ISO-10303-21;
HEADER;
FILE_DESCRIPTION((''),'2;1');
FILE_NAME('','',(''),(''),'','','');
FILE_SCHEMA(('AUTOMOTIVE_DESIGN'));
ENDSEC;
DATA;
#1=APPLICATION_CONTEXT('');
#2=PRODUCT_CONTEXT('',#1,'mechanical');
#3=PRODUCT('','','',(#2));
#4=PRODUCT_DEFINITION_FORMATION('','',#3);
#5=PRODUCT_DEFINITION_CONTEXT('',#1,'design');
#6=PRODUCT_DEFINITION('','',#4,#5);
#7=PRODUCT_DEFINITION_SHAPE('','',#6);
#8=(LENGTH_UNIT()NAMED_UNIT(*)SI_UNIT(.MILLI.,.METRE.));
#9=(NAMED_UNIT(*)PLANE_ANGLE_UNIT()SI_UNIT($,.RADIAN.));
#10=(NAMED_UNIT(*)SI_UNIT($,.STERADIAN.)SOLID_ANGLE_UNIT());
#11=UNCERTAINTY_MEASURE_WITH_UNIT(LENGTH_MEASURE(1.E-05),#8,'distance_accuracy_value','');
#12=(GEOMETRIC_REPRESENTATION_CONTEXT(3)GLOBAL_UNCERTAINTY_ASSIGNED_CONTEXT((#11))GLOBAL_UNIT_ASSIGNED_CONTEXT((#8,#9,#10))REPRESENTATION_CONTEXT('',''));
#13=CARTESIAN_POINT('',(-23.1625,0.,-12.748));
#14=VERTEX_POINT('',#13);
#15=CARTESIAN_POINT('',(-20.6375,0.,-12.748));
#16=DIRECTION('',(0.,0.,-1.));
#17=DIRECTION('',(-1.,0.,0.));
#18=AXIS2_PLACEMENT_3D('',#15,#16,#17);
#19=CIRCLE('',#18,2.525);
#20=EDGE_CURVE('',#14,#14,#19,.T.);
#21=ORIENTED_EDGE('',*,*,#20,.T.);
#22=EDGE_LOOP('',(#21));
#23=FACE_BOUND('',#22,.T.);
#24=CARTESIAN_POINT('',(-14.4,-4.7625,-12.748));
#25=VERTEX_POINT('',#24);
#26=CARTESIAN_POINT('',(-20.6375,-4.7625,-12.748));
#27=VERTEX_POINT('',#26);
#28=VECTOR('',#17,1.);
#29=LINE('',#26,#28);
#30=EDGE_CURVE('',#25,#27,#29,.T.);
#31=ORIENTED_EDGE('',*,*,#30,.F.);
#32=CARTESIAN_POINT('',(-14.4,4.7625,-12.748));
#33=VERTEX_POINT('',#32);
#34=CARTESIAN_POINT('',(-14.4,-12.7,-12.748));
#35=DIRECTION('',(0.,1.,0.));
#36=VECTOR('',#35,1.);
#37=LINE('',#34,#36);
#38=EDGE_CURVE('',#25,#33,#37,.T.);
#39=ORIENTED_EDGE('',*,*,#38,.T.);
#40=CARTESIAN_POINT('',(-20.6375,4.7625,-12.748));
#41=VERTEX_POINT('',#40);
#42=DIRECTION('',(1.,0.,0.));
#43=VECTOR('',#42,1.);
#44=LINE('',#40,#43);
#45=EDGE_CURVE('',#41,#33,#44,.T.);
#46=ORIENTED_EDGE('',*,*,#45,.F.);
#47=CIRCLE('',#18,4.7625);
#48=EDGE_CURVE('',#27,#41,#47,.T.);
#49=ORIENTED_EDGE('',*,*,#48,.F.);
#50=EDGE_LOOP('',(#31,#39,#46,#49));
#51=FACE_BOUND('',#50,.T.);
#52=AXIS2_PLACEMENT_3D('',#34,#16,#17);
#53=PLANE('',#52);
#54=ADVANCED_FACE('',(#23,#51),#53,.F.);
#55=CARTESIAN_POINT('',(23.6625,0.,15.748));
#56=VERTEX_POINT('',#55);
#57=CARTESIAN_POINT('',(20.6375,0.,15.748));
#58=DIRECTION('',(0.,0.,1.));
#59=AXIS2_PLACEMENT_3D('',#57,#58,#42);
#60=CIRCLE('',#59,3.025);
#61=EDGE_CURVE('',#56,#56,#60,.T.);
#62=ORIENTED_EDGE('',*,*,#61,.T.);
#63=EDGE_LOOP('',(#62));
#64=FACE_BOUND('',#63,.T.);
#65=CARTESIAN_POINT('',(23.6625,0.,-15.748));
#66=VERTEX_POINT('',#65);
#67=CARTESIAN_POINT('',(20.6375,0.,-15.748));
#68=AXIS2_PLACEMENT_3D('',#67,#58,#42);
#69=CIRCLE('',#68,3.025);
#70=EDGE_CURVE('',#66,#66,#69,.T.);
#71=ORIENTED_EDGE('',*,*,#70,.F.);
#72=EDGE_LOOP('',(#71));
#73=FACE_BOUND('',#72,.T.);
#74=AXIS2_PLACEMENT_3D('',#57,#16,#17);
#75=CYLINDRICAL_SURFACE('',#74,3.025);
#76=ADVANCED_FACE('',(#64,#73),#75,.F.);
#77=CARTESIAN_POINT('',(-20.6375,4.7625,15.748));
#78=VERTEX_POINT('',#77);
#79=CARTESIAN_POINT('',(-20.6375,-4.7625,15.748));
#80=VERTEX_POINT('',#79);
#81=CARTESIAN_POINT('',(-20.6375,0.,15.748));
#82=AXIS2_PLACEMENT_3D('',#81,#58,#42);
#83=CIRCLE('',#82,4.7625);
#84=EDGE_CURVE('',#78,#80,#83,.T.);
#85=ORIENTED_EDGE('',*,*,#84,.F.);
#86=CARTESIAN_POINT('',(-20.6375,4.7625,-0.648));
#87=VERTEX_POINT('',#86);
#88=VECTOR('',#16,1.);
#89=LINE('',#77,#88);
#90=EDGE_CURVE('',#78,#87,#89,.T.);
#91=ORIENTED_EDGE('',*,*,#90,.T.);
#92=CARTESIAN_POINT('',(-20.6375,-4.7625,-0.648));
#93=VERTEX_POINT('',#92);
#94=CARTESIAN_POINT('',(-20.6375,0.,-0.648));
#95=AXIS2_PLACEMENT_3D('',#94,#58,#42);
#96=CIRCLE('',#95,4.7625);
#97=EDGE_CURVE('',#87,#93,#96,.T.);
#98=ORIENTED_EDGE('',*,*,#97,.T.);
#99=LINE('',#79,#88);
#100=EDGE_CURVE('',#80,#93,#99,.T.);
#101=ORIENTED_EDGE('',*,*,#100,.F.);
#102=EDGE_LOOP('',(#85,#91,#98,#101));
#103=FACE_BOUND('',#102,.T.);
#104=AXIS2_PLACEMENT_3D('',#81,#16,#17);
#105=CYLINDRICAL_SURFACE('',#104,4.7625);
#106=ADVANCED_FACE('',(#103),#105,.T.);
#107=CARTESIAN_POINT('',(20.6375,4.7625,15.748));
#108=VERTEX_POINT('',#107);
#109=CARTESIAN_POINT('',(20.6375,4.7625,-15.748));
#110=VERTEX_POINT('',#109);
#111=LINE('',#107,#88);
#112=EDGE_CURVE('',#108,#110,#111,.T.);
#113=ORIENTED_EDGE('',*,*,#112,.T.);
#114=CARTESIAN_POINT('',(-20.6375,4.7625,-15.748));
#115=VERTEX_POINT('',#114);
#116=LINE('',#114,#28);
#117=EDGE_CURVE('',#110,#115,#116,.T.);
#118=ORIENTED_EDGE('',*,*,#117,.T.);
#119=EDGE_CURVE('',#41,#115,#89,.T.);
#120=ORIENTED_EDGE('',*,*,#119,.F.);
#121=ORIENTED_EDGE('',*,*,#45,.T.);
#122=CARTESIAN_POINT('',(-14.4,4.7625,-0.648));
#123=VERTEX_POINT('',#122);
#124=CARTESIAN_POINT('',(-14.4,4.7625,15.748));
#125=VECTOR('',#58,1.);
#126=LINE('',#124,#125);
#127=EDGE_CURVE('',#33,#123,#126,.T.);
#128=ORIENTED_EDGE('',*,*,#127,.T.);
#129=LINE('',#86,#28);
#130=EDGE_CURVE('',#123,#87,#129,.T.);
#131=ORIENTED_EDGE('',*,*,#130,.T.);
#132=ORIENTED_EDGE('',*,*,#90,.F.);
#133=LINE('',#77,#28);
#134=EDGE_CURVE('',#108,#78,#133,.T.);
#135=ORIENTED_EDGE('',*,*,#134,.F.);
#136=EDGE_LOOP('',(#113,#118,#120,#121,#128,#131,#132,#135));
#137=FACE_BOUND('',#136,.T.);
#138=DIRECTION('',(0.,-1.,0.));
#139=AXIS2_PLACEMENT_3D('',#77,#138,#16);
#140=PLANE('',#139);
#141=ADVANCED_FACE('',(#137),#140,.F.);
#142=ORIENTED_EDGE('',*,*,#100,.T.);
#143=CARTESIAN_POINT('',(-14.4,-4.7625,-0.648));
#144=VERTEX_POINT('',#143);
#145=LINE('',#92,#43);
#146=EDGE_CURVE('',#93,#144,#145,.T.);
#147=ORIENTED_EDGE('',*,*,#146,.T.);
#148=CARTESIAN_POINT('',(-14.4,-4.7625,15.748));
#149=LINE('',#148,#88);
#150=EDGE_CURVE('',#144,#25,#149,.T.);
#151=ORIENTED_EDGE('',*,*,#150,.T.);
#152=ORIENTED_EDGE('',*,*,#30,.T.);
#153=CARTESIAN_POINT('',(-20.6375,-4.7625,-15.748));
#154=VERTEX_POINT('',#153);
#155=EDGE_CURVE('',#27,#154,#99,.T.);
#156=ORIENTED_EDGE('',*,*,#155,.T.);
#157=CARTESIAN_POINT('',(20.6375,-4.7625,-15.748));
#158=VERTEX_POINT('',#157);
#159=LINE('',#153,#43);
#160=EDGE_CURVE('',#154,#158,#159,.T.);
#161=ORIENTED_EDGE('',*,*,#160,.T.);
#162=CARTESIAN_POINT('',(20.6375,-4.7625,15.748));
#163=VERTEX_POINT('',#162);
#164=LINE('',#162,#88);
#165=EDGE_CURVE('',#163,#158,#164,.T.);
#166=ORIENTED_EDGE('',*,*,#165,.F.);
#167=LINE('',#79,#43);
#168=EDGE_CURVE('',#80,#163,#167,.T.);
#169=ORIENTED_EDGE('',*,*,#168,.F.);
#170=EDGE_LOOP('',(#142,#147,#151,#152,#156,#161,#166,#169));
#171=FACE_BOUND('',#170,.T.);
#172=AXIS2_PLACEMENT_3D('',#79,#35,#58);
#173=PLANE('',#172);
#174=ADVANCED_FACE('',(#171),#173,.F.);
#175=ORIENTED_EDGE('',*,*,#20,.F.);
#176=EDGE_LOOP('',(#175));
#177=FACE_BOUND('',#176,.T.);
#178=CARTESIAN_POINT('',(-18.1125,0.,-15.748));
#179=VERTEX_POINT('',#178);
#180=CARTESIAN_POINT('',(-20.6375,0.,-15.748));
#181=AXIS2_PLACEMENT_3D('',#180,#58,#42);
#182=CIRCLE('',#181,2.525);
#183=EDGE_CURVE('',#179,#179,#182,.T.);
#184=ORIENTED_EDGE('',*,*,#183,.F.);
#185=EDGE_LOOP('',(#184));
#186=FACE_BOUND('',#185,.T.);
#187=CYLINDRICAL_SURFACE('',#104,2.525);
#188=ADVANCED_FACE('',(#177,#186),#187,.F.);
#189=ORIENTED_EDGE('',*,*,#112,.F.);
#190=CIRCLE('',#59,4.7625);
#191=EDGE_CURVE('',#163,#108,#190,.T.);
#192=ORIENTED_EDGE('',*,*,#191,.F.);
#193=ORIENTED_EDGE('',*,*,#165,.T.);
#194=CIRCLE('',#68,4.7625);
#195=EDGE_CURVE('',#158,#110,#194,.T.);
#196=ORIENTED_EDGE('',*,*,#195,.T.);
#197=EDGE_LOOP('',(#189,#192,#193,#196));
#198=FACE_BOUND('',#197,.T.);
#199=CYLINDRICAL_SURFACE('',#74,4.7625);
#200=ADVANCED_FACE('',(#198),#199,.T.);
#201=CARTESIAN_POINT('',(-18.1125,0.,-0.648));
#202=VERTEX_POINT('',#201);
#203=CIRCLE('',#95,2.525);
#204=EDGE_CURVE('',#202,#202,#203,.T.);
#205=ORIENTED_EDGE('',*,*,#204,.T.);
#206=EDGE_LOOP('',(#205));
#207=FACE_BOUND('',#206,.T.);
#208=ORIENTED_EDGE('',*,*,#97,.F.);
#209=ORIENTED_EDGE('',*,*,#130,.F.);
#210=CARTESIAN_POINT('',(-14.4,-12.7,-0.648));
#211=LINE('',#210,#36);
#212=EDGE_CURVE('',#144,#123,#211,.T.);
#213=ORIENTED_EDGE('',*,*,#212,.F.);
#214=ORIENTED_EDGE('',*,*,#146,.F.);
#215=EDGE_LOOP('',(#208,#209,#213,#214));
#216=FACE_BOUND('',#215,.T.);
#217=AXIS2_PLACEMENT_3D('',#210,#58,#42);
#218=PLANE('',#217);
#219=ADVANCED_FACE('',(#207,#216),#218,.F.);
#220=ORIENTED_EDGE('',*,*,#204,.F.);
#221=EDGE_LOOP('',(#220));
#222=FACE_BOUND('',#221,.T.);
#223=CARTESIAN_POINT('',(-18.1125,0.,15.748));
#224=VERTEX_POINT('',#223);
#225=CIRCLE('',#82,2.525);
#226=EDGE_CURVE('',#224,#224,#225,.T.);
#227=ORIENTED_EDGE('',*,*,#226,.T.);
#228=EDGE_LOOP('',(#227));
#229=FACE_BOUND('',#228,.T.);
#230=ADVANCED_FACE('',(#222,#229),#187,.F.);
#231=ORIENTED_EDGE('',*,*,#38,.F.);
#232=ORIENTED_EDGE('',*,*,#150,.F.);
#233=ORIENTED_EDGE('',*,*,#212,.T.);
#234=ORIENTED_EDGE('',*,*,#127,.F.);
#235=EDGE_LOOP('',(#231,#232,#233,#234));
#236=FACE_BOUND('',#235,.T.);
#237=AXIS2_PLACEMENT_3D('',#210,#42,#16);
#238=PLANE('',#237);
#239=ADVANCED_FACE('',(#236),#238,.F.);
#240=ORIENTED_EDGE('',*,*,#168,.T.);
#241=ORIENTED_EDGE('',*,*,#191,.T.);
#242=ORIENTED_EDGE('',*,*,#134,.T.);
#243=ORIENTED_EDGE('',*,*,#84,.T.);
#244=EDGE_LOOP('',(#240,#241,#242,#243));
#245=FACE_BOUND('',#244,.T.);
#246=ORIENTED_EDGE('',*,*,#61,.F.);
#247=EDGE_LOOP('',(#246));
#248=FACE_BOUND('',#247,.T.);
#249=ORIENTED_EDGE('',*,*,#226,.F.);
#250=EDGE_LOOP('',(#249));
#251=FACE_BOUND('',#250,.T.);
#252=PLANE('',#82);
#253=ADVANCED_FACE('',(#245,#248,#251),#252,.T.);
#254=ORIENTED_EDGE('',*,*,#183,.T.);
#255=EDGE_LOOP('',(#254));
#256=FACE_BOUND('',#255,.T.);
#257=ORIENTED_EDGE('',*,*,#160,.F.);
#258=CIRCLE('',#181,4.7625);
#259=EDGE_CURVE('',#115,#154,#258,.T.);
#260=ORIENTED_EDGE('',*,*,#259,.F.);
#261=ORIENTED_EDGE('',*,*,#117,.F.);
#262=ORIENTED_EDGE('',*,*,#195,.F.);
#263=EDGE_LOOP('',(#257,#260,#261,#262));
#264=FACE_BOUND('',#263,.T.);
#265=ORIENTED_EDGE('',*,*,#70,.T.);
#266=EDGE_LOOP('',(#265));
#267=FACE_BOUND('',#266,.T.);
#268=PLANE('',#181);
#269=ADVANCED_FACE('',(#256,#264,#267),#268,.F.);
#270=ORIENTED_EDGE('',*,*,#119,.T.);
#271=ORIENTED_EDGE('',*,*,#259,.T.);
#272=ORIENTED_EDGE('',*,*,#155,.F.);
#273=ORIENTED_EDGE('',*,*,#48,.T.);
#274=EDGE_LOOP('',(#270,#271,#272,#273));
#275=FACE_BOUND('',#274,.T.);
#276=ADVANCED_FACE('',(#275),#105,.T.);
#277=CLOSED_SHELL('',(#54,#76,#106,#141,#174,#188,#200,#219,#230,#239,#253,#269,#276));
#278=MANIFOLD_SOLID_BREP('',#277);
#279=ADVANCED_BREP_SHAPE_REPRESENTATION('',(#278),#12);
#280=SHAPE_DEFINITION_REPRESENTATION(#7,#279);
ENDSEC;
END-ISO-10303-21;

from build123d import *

# Parameters (mm, degrees)
SKETCH5_R           = 2.525
SKETCH5_R_2         = 3.025
BOSS_EXTRUDE2_DEPTH = 15.748
SKETCH6_W           = 11
SKETCH6_H           = 12.1
CUT_EXTRUDE2_DEPTH  = 12.7


with BuildPart() as part:
    # Sketch5 → Boss-Extrude2 (new body, symmetric)
    with BuildSketch(Plane.XY):
        with BuildLine():
            Line((-20.6375, 4.7625), (20.6375, 4.7625))
            ThreePointArc((20.6375, 4.7625), (25.4, 0), (20.6375, -4.7625))
            Line((20.6375, -4.7625), (-20.6375, -4.7625))
            ThreePointArc((-20.6375, -4.7625), (-25.4, 0), (-20.6375, 4.7625))
        make_face()
        with Locations((-20.6375, 0)):
            Circle(SKETCH5_R, mode=Mode.SUBTRACT)
        with Locations((20.6375, 0)):
            Circle(SKETCH5_R_2, mode=Mode.SUBTRACT)
    extrude(amount=BOSS_EXTRUDE2_DEPTH, both=True)

    # Sketch6 → Cut-Extrude2 (cut, symmetric)
    with BuildSketch(Plane(origin=(0, 0, 0), x_dir=(1, 0, 0), z_dir=(0, 1, 0))):
        with Locations((-19.9, 6.698)):
            Rectangle(SKETCH6_W, SKETCH6_H)
    extrude(amount=CUT_EXTRUDE2_DEPTH, both=True, mode=Mode.SUBTRACT)


solid = part.part
